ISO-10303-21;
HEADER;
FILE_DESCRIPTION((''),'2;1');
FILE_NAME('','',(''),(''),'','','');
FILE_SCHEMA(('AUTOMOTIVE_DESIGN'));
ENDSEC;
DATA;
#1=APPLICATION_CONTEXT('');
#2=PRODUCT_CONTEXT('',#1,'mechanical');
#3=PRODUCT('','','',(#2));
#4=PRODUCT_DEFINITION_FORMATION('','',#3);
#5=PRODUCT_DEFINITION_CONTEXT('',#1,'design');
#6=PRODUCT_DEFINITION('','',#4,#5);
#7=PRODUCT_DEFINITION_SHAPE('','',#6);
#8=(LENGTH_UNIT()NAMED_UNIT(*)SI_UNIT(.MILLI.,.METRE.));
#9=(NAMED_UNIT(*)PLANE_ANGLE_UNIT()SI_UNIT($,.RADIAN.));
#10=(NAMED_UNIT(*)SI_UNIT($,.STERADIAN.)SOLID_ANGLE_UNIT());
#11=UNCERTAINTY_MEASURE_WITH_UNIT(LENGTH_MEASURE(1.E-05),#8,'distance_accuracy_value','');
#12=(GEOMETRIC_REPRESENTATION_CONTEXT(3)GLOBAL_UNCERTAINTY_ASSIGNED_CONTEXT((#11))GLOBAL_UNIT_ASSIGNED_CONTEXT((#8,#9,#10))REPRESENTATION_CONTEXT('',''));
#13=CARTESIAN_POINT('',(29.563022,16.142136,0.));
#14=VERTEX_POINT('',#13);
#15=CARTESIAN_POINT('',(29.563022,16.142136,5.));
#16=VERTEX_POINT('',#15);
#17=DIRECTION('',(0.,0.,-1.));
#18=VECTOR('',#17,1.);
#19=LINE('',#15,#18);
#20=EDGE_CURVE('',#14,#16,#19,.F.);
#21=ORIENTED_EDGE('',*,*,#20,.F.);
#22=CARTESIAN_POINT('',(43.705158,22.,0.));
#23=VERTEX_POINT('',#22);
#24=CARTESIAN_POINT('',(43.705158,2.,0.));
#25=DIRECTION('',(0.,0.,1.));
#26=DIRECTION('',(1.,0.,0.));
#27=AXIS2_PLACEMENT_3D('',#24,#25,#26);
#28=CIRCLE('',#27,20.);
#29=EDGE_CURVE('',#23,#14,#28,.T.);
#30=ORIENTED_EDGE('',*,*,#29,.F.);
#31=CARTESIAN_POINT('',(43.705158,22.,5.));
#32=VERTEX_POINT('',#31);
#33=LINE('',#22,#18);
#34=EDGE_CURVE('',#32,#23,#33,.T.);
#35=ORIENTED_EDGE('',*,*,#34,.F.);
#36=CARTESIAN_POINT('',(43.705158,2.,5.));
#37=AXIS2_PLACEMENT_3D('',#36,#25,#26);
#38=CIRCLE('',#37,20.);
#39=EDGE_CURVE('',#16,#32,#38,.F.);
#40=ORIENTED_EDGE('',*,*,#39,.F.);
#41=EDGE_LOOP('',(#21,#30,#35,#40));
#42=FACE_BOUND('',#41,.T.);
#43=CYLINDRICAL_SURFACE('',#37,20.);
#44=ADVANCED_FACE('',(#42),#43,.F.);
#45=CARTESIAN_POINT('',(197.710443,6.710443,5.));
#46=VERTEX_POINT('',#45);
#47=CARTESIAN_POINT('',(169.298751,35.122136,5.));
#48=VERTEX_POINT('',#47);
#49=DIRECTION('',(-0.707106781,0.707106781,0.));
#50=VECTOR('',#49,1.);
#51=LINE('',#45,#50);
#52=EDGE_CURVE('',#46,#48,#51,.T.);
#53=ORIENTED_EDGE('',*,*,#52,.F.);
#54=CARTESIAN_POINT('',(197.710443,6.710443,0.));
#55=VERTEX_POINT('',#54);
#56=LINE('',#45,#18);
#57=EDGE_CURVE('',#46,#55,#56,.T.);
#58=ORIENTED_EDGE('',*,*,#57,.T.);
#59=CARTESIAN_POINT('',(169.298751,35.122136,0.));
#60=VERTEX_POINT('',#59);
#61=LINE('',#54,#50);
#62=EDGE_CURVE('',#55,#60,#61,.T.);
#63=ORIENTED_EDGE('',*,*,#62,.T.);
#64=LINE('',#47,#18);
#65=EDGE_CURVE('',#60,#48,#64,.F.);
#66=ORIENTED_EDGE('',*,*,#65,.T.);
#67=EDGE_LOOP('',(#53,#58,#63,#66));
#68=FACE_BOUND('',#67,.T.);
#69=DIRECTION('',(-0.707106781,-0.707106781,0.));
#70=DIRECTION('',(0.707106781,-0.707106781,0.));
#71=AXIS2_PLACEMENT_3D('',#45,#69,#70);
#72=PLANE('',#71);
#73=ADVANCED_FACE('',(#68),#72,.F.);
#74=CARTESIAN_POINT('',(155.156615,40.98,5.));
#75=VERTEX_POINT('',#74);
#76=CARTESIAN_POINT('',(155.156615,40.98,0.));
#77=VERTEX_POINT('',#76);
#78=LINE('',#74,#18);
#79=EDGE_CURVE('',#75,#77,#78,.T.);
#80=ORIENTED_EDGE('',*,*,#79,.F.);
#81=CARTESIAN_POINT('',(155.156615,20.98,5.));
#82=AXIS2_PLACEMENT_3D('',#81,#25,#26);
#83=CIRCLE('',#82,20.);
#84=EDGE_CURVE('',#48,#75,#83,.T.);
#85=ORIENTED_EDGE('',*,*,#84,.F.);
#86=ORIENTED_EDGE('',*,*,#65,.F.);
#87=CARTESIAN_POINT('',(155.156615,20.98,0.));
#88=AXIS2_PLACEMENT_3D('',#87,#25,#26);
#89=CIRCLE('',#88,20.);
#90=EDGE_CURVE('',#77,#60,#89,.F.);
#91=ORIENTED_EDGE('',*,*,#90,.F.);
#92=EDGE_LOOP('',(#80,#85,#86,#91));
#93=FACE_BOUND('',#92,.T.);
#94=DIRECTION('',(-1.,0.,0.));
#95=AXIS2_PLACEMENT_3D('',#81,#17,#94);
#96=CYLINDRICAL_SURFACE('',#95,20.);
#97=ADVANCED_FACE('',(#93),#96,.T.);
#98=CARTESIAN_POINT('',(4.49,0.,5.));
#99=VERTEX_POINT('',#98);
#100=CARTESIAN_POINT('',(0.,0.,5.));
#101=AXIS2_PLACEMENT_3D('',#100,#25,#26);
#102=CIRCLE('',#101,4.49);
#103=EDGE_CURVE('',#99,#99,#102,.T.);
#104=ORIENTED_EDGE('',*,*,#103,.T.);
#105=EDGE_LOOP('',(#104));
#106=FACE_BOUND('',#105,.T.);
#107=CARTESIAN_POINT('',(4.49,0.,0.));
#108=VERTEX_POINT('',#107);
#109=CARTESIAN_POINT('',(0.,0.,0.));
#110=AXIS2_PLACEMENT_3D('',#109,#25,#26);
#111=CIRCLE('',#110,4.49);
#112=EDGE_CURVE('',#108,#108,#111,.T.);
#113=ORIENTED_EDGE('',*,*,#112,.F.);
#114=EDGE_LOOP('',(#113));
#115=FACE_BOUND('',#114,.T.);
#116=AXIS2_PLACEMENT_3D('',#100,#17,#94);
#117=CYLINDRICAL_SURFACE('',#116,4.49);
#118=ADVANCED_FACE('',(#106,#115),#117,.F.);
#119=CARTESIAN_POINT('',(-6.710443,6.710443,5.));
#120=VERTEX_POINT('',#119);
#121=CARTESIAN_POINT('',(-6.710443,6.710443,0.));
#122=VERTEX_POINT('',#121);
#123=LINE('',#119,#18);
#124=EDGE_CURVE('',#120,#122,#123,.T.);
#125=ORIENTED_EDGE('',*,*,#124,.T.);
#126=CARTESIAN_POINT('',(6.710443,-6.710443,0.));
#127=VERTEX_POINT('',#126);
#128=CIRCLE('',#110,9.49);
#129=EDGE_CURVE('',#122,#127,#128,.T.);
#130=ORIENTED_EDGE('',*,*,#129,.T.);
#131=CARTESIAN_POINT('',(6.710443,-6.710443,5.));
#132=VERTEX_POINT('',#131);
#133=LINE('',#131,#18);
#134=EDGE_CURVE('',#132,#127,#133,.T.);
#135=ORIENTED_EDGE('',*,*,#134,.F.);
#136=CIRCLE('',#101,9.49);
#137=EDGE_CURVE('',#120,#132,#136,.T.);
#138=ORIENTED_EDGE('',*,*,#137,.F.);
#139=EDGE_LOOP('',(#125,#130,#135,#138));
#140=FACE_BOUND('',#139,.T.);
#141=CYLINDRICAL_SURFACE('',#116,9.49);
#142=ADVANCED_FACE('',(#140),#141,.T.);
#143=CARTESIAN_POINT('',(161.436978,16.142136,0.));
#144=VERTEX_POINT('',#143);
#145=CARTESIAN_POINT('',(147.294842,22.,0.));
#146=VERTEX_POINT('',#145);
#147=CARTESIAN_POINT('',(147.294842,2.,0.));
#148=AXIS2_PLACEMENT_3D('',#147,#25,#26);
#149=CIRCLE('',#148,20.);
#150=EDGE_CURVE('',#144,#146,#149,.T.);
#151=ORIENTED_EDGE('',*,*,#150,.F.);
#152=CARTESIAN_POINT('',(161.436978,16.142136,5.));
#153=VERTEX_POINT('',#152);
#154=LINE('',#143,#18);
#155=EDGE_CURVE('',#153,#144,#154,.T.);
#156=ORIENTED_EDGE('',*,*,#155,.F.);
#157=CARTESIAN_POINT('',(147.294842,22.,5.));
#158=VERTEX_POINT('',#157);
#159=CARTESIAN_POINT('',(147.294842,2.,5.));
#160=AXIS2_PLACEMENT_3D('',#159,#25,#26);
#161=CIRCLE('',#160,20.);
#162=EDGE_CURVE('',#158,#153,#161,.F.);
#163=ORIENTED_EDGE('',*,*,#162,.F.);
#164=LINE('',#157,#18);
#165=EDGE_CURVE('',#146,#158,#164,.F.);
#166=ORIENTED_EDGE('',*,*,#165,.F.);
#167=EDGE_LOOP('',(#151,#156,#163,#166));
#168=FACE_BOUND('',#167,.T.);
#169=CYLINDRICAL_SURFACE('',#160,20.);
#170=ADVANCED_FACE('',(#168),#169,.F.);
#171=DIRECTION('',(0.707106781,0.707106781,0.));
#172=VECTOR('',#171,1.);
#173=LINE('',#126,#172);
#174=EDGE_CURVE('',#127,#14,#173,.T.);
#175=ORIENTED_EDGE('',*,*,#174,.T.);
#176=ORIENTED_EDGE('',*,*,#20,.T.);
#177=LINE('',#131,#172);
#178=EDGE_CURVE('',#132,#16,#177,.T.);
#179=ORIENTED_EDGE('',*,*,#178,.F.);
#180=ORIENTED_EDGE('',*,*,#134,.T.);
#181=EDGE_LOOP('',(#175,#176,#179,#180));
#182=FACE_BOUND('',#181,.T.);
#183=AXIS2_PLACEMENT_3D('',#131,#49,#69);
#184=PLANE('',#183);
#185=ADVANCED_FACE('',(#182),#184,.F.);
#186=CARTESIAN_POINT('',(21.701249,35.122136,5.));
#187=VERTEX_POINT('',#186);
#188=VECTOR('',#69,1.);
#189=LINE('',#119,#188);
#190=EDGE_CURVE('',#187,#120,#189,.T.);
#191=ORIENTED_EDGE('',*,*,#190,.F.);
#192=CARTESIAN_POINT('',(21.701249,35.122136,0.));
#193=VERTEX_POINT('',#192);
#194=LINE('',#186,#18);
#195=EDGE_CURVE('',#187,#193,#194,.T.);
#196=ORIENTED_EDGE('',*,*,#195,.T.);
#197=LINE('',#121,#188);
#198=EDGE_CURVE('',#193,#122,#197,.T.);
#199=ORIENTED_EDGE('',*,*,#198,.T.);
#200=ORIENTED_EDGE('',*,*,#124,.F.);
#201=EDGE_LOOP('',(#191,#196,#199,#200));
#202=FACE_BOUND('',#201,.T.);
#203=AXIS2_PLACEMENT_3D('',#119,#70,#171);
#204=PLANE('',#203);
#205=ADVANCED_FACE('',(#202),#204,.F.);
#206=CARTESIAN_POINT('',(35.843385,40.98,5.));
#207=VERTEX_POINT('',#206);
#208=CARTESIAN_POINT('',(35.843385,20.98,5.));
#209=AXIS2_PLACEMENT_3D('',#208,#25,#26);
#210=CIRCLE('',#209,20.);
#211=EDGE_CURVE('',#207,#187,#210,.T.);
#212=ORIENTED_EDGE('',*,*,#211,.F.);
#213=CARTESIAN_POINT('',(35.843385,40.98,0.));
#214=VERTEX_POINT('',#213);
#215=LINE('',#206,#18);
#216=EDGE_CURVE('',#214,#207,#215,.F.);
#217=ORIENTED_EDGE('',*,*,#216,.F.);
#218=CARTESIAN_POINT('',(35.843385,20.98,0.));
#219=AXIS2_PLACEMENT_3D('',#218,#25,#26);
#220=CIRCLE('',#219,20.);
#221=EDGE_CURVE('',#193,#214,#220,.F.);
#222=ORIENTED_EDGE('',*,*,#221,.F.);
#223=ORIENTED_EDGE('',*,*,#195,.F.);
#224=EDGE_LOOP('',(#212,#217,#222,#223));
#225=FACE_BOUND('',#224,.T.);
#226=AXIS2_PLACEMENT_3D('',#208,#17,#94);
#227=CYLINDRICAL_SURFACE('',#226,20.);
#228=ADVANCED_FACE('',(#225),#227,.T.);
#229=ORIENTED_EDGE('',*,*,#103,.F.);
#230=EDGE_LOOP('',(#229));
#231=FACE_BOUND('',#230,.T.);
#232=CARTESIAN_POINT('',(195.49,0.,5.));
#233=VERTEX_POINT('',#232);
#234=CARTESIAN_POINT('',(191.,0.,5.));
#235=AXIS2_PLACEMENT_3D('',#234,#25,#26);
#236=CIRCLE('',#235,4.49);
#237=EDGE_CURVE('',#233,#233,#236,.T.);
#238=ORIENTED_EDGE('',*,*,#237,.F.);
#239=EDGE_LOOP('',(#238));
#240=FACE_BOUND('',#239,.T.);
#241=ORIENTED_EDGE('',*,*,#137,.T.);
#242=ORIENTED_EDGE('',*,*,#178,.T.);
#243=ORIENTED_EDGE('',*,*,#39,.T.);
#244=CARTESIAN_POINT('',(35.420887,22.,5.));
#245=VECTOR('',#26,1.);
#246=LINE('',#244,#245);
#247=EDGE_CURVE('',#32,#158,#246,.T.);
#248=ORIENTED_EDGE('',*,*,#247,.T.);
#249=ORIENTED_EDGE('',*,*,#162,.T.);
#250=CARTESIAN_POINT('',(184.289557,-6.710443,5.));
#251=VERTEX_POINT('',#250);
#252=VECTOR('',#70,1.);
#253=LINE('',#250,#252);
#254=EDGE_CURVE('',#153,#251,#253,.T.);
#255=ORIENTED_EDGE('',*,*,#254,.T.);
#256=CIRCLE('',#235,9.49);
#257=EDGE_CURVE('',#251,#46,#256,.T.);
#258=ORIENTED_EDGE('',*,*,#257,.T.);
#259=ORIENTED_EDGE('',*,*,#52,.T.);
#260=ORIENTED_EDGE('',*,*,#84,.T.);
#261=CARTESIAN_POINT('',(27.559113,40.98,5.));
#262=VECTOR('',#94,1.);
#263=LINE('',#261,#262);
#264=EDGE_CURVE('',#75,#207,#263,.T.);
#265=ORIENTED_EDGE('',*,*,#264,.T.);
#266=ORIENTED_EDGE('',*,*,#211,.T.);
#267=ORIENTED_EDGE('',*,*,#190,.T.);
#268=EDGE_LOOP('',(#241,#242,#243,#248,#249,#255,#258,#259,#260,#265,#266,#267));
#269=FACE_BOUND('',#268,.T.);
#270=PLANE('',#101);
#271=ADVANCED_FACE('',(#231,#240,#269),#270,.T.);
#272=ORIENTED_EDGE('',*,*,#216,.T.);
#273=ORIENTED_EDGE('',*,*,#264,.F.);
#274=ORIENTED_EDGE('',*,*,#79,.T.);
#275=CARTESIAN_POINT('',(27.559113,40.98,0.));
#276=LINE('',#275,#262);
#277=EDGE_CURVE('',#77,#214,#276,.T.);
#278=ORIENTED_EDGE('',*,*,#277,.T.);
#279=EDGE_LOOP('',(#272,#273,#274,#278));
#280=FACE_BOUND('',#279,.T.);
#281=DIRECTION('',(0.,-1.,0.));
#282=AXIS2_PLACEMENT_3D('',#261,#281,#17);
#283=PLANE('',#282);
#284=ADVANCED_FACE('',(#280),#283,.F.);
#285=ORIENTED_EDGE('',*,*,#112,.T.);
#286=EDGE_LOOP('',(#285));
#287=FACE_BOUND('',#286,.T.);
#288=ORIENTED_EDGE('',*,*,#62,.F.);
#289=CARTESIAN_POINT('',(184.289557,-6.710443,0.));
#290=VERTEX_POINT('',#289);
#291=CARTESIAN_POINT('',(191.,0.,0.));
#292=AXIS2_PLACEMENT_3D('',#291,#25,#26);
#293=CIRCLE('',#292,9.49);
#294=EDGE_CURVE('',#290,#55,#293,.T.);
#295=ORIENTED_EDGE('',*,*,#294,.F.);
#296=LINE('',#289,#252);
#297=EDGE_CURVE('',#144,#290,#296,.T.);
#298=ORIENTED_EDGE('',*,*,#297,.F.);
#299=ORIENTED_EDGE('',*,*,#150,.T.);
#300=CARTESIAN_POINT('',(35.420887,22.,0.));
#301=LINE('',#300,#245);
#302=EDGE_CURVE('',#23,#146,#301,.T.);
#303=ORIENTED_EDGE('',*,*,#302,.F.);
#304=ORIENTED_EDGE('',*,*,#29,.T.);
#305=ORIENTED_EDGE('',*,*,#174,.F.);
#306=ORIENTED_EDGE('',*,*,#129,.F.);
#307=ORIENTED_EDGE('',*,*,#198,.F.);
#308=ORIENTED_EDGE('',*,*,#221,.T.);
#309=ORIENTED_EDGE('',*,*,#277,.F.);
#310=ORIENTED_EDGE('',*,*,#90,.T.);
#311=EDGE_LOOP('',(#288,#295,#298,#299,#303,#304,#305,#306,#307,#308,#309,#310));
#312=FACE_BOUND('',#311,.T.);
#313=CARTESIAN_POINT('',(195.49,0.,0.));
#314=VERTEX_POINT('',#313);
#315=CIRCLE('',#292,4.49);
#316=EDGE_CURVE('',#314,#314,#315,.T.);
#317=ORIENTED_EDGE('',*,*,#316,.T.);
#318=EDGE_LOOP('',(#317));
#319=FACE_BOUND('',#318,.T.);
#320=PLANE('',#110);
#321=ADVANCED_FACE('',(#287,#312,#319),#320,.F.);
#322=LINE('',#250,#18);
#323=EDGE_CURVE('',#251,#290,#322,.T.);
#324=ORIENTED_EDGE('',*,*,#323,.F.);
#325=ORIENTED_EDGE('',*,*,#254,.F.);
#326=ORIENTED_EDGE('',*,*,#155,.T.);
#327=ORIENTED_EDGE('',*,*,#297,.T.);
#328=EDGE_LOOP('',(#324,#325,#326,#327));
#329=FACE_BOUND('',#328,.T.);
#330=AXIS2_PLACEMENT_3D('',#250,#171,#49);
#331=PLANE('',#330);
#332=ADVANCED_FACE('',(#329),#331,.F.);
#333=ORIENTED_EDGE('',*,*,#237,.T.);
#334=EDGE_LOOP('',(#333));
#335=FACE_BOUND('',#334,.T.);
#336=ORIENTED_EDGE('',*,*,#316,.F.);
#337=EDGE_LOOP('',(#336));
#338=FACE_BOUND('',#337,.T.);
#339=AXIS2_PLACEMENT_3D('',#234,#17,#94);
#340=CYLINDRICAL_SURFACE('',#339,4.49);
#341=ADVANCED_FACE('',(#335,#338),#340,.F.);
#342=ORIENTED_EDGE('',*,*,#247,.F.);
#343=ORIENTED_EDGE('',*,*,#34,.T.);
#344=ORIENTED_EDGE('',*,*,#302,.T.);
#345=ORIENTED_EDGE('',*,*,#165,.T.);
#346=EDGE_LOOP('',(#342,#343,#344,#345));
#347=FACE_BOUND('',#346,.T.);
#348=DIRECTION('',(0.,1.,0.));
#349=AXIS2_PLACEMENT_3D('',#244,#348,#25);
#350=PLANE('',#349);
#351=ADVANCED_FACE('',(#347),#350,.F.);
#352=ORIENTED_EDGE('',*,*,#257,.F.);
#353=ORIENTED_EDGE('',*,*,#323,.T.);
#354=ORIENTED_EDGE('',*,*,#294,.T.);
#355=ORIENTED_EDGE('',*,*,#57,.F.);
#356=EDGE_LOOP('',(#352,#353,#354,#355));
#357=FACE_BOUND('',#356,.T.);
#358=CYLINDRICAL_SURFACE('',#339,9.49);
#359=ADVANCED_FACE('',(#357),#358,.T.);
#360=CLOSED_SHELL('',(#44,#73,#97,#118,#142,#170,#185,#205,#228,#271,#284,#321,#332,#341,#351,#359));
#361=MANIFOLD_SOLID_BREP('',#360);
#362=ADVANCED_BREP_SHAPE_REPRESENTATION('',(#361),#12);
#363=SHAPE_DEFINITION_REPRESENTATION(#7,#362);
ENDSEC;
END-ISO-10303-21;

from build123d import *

# Parameters (mm, degrees)
SKETCH1_R           = 4.49
BOSS_EXTRUDE1_DEPTH = 5
FILLET1_R           = 20
FILLET2_R           = 20
FILLET3_R           = 20
FILLET4_R           = 20


with BuildPart() as part:
    # Sketch1 → Boss-Extrude1 (new body)
    with BuildSketch(Plane.XY):
        with BuildLine():
            Line((-6.710443353, 6.710443353), (27.559113293, 40.98))
            Line((27.559113293, 40.98), (163.440886707, 40.98))
            Line((163.440886707, 40.98), (197.710443353, 6.710443353))
            ThreePointArc((197.710443353, 6.710443353), (197.710443353, -6.710443353), (184.289556647, -6.710443353))
            Line((184.289556647, -6.710443353), (155.579113293, 22))
            Line((155.579113293, 22), (35.420886707, 22))
            Line((35.420886707, 22), (6.710443353, -6.710443353))
            ThreePointArc((6.710443353, -6.710443353), (-6.710443353, -6.710443353), (-6.710443353, 6.710443353))
        make_face()
        Circle(SKETCH1_R, mode=Mode.SUBTRACT)
        with Locations((191, 0)):
            Circle(SKETCH1_R, mode=Mode.SUBTRACT)
    extrude(amount=BOSS_EXTRUDE1_DEPTH)

    # Fillet1
    fillet1_edges = [part.edges().sort_by_distance(p)[0] for p in [
        (27.559113293, 40.98, 2.5),
    ]]
    fillet(fillet1_edges, radius=FILLET1_R)

    # Fillet2
    fillet2_edges = [part.edges().sort_by_distance(p)[0] for p in [
        (35.420886707, 22, 2.5),
    ]]
    fillet(fillet2_edges, radius=FILLET2_R)

    # Fillet3
    fillet3_edges = [part.edges().sort_by_distance(p)[0] for p in [
        (163.440886707, 40.98, 2.5),
    ]]
    fillet(fillet3_edges, radius=FILLET3_R)

    # Fillet4
    fillet4_edges = [part.edges().sort_by_distance(p)[0] for p in [
        (155.579113293, 22, 2.5),
    ]]
    fillet(fillet4_edges, radius=FILLET4_R)


solid = part.part
